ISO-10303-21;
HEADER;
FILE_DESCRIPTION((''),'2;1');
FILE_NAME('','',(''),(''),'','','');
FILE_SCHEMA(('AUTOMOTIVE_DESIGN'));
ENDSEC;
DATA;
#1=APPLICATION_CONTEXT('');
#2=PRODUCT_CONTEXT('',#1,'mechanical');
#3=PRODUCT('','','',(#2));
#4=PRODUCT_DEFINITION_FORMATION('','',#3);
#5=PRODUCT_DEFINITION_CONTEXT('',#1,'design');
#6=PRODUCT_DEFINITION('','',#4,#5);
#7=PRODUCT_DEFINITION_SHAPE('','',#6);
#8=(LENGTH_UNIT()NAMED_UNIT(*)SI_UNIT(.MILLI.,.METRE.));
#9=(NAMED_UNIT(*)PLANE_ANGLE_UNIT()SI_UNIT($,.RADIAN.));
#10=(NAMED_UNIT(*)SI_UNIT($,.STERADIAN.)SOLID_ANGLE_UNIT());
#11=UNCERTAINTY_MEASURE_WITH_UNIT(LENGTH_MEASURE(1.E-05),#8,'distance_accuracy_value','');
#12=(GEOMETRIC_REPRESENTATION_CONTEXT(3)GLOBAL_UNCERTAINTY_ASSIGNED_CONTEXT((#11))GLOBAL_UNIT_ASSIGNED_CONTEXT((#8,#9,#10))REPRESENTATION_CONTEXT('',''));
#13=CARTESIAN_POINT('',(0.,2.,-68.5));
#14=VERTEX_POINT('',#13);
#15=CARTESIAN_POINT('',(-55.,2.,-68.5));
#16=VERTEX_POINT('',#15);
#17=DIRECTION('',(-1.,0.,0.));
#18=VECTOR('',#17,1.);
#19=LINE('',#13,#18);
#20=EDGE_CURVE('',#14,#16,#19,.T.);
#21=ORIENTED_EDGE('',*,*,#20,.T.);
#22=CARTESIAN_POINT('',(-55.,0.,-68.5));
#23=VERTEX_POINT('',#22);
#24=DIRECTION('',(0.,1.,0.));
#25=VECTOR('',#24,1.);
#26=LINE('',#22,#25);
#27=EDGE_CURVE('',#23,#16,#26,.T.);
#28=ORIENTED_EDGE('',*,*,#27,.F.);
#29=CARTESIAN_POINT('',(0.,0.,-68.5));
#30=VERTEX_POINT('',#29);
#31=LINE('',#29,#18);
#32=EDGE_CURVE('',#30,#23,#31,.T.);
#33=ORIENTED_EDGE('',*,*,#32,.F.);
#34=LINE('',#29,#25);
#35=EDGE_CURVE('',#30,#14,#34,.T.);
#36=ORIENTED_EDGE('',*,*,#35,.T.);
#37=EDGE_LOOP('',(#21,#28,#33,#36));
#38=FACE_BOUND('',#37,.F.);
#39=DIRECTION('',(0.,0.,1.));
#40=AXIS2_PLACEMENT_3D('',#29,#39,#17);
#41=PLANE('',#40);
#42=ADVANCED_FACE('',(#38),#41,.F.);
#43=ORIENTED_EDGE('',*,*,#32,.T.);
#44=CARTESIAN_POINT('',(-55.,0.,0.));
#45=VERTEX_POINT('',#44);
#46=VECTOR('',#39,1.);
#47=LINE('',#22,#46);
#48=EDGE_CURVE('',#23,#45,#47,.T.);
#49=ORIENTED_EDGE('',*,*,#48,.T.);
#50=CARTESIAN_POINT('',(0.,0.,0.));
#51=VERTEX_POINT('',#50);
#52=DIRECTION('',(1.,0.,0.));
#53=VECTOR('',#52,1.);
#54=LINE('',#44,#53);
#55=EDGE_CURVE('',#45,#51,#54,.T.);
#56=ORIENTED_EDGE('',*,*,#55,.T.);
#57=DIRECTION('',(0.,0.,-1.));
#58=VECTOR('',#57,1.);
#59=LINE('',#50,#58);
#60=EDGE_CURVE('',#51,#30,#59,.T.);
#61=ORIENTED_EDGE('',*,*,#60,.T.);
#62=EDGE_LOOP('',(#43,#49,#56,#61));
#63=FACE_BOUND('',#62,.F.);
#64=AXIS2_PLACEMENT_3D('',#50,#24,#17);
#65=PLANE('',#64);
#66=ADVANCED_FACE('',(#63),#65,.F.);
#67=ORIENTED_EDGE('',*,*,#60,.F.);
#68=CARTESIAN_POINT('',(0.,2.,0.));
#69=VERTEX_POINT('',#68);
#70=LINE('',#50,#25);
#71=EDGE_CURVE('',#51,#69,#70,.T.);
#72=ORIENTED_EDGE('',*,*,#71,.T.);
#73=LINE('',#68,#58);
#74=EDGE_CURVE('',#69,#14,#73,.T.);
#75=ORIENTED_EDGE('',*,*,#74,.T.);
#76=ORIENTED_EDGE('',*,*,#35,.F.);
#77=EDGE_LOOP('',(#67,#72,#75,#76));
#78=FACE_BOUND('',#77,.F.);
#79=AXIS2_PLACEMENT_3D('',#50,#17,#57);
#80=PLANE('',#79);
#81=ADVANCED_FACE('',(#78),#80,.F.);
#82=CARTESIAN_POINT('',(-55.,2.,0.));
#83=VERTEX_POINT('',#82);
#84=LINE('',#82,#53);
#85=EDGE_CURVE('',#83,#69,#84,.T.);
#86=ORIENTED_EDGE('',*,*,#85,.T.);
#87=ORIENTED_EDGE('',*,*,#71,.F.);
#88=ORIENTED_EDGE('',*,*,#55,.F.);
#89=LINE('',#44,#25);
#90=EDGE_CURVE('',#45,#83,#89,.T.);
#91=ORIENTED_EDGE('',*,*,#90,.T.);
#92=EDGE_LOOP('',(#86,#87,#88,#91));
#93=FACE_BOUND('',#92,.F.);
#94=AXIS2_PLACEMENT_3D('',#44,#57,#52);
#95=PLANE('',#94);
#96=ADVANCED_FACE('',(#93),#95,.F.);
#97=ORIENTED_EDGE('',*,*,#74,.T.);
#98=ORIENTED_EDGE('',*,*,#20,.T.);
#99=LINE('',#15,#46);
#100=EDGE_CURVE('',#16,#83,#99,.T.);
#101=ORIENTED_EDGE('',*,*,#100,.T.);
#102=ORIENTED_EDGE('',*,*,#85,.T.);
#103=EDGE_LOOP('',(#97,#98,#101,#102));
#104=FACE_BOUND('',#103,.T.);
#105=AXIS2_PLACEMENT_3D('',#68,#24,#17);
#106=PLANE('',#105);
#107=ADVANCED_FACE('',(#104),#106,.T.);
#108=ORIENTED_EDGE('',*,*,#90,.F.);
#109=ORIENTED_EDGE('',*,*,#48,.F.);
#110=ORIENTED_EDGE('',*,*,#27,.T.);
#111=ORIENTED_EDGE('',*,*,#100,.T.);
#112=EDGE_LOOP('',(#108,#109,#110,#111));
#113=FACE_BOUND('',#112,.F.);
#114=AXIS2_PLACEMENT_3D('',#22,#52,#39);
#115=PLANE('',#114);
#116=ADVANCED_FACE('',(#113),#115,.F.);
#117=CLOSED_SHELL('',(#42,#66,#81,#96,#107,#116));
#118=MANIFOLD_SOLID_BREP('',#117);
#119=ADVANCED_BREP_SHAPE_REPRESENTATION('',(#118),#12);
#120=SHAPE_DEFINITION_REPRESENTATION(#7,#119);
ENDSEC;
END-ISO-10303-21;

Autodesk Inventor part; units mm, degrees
ref_plane "YZ Plane" through (0, 0, 0) normal (1, 0, 0) x (0, 1, 0)
ref_plane "XZ Plane" through (0, 0, 0) normal (0, 1, 0) x (-1, 0, 0)
ref_plane "XY Plane" through (0, 0, 0) normal (0, 0, 1) x (1, 0, 0)
sketch "Szkic1" plane through (0, 0, 0) normal (0, 1, 0) x (-1, 0, 0)
  line L0 (0, 0) -> (0, -68.5)
  line L1 (0, -68.5) -> (55, -68.5)
  line L2 (55, -68.5) -> (55, 0)
  line L3 (55, 0) -> (0, 0)
  dimension "d0" = 68.5
  dimension "d1" = 55
  dimension "d2" = 68.5
extrude "Wyciągnięcie proste1" add sketch "Szkic1" along normal blind 2
properties part number "plytka"
